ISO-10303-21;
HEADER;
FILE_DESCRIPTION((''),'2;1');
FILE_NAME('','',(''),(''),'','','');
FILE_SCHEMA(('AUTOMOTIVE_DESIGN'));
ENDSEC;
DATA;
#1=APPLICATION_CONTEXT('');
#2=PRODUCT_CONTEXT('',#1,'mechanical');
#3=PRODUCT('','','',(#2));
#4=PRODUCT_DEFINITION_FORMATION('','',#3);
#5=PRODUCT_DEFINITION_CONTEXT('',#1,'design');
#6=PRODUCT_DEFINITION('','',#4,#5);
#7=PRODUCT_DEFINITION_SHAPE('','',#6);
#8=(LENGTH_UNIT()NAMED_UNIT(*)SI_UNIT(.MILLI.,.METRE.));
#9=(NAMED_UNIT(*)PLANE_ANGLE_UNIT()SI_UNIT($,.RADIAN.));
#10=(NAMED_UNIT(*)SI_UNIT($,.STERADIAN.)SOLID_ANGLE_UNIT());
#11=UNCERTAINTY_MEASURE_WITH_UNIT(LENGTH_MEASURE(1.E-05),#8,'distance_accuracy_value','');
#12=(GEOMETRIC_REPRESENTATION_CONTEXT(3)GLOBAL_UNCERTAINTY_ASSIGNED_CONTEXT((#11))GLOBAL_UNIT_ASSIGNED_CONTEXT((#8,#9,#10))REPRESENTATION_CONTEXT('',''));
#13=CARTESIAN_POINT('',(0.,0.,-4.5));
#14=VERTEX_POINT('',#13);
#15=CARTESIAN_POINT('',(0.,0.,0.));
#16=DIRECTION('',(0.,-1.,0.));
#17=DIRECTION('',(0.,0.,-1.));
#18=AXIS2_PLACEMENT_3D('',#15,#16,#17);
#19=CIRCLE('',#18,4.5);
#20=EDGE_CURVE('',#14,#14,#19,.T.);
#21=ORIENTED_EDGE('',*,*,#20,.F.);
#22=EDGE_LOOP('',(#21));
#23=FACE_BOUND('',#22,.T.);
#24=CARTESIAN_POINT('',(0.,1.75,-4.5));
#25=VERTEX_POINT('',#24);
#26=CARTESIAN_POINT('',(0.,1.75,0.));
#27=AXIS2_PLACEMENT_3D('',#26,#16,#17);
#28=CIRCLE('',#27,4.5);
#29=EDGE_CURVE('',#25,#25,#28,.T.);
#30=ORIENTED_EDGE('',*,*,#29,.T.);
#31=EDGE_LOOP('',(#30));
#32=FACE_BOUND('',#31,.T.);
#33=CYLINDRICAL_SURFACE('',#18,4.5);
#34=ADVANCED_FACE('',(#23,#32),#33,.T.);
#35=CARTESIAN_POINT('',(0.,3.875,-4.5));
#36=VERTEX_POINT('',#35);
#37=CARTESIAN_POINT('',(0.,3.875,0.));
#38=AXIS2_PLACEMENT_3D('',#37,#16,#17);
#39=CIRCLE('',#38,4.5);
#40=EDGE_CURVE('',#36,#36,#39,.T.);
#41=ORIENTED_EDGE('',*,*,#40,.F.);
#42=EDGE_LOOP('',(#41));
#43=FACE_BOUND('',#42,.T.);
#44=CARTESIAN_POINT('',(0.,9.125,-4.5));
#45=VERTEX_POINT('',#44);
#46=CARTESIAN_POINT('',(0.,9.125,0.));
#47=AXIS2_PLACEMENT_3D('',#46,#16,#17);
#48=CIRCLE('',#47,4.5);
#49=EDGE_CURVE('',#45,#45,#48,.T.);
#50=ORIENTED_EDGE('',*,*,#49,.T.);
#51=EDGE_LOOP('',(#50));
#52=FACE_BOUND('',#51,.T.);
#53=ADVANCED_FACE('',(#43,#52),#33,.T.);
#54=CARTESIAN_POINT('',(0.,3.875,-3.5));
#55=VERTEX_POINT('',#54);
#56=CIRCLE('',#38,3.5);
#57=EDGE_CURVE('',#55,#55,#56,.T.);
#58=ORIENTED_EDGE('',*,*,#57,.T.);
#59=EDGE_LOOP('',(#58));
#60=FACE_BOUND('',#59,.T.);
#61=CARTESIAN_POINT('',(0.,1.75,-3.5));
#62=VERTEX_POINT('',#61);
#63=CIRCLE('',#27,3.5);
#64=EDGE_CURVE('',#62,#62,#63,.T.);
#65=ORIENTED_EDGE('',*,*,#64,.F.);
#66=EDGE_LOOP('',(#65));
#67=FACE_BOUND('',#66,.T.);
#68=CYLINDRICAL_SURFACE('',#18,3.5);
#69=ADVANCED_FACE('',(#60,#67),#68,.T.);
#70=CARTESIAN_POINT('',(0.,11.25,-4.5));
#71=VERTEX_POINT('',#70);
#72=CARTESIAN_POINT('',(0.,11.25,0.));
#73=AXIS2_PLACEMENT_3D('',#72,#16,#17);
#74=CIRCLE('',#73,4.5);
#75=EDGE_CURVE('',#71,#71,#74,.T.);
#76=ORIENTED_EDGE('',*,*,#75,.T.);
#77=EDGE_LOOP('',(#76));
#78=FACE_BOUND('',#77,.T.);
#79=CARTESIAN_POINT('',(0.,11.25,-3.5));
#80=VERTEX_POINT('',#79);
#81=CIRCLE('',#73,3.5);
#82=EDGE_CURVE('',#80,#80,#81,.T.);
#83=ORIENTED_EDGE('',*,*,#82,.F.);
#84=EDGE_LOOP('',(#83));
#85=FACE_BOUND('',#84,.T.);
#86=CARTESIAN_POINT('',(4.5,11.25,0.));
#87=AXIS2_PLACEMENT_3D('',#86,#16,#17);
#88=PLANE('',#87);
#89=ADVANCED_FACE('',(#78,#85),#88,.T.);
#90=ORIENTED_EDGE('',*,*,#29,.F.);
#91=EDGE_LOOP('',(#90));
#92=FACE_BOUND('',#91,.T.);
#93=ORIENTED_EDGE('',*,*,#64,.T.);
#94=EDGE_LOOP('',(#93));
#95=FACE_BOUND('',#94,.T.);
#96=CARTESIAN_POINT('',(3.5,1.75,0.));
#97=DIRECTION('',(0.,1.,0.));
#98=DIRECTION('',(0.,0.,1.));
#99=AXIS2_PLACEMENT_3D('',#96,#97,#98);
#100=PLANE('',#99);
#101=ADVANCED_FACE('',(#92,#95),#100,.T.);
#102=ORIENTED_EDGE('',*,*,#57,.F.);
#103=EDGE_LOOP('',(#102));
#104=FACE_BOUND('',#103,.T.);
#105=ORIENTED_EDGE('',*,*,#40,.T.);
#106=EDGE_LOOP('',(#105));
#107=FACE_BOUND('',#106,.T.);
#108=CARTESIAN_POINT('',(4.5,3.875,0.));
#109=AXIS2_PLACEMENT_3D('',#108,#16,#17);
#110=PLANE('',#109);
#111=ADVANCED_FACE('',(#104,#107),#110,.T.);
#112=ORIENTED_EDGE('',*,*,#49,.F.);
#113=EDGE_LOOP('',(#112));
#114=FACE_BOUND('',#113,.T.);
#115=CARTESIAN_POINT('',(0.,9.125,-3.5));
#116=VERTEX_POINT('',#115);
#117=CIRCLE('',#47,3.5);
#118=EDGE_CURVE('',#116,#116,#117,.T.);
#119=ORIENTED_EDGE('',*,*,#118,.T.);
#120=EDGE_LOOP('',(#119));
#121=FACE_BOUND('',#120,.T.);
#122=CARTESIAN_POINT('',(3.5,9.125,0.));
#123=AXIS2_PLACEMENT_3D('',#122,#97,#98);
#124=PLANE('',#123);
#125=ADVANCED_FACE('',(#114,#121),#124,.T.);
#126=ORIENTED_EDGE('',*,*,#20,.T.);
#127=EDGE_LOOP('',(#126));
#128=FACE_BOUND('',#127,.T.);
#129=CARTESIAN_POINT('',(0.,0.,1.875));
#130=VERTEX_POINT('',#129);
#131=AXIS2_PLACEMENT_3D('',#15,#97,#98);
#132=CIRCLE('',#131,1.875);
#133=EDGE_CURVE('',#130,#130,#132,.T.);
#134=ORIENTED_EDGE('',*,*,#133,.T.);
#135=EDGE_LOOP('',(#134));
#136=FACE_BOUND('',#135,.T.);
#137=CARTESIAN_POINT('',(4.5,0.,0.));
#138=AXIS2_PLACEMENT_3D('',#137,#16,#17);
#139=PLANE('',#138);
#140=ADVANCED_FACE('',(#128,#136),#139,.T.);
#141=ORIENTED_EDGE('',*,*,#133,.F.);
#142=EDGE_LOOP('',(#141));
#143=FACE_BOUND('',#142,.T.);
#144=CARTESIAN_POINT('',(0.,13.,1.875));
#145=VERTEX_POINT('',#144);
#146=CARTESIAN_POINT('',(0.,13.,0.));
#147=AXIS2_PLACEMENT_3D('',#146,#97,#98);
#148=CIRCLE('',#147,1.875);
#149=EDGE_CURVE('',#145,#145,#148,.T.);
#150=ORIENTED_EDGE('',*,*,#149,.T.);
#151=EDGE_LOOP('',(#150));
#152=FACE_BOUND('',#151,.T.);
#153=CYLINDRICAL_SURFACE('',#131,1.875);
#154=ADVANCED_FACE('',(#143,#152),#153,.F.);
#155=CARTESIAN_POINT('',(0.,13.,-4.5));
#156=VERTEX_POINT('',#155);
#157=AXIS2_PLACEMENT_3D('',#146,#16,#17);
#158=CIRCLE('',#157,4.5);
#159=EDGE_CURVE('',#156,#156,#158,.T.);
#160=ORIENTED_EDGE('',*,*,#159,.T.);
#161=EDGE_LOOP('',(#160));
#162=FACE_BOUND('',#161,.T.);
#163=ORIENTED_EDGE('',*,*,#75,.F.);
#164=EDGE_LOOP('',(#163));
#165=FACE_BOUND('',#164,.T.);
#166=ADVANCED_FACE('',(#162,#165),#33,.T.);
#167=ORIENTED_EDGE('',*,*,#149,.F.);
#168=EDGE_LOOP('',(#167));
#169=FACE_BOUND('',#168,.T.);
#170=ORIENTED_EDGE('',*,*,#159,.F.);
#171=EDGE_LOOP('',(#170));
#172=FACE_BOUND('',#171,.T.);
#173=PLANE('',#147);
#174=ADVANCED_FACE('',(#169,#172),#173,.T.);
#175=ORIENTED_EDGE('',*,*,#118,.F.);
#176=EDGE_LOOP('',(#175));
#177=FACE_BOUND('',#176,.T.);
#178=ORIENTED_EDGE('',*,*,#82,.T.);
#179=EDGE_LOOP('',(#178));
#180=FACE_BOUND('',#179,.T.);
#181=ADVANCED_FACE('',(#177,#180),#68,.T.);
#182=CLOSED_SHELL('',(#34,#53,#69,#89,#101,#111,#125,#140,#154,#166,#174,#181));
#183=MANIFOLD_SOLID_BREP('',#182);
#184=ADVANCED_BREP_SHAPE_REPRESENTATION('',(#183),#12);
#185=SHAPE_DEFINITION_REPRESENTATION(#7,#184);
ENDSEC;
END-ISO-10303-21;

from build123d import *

# Parameters (mm, degrees)
SKETCH2_R               = 1.875
CUT_EXTRUDE1_DEPTH      = 1
CUT_EXTRUDE1_DEPTH_BACK = 14


with BuildPart() as part:
    # Sketch1 → Revolve1 (revolve)
    with BuildSketch(Plane.XY):
        Polygon((0, 0), (0, 13), (4.5, 13), (4.5, 11.25), (3.5, 11.25), (3.5, 9.125), (4.5, 9.125), (4.5, 3.875), (3.5, 3.875), (3.5, 1.75), (4.5, 1.75), (4.5, 0), align=None)
    revolve(axis=Axis((0, 0, 0), (0, 1, 0)))

    # Sketch2 → Cut-Extrude1 (cut, two sides)
    with BuildSketch(Plane(origin=(0, 13, 0), x_dir=(1, 0, 0), z_dir=(0, 1, 0))) as cut_extrude1_sk:
        Circle(SKETCH2_R)
    extrude(amount=CUT_EXTRUDE1_DEPTH, mode=Mode.SUBTRACT)
    extrude(cut_extrude1_sk.sketch, amount=-CUT_EXTRUDE1_DEPTH_BACK, mode=Mode.SUBTRACT)


solid = part.part
